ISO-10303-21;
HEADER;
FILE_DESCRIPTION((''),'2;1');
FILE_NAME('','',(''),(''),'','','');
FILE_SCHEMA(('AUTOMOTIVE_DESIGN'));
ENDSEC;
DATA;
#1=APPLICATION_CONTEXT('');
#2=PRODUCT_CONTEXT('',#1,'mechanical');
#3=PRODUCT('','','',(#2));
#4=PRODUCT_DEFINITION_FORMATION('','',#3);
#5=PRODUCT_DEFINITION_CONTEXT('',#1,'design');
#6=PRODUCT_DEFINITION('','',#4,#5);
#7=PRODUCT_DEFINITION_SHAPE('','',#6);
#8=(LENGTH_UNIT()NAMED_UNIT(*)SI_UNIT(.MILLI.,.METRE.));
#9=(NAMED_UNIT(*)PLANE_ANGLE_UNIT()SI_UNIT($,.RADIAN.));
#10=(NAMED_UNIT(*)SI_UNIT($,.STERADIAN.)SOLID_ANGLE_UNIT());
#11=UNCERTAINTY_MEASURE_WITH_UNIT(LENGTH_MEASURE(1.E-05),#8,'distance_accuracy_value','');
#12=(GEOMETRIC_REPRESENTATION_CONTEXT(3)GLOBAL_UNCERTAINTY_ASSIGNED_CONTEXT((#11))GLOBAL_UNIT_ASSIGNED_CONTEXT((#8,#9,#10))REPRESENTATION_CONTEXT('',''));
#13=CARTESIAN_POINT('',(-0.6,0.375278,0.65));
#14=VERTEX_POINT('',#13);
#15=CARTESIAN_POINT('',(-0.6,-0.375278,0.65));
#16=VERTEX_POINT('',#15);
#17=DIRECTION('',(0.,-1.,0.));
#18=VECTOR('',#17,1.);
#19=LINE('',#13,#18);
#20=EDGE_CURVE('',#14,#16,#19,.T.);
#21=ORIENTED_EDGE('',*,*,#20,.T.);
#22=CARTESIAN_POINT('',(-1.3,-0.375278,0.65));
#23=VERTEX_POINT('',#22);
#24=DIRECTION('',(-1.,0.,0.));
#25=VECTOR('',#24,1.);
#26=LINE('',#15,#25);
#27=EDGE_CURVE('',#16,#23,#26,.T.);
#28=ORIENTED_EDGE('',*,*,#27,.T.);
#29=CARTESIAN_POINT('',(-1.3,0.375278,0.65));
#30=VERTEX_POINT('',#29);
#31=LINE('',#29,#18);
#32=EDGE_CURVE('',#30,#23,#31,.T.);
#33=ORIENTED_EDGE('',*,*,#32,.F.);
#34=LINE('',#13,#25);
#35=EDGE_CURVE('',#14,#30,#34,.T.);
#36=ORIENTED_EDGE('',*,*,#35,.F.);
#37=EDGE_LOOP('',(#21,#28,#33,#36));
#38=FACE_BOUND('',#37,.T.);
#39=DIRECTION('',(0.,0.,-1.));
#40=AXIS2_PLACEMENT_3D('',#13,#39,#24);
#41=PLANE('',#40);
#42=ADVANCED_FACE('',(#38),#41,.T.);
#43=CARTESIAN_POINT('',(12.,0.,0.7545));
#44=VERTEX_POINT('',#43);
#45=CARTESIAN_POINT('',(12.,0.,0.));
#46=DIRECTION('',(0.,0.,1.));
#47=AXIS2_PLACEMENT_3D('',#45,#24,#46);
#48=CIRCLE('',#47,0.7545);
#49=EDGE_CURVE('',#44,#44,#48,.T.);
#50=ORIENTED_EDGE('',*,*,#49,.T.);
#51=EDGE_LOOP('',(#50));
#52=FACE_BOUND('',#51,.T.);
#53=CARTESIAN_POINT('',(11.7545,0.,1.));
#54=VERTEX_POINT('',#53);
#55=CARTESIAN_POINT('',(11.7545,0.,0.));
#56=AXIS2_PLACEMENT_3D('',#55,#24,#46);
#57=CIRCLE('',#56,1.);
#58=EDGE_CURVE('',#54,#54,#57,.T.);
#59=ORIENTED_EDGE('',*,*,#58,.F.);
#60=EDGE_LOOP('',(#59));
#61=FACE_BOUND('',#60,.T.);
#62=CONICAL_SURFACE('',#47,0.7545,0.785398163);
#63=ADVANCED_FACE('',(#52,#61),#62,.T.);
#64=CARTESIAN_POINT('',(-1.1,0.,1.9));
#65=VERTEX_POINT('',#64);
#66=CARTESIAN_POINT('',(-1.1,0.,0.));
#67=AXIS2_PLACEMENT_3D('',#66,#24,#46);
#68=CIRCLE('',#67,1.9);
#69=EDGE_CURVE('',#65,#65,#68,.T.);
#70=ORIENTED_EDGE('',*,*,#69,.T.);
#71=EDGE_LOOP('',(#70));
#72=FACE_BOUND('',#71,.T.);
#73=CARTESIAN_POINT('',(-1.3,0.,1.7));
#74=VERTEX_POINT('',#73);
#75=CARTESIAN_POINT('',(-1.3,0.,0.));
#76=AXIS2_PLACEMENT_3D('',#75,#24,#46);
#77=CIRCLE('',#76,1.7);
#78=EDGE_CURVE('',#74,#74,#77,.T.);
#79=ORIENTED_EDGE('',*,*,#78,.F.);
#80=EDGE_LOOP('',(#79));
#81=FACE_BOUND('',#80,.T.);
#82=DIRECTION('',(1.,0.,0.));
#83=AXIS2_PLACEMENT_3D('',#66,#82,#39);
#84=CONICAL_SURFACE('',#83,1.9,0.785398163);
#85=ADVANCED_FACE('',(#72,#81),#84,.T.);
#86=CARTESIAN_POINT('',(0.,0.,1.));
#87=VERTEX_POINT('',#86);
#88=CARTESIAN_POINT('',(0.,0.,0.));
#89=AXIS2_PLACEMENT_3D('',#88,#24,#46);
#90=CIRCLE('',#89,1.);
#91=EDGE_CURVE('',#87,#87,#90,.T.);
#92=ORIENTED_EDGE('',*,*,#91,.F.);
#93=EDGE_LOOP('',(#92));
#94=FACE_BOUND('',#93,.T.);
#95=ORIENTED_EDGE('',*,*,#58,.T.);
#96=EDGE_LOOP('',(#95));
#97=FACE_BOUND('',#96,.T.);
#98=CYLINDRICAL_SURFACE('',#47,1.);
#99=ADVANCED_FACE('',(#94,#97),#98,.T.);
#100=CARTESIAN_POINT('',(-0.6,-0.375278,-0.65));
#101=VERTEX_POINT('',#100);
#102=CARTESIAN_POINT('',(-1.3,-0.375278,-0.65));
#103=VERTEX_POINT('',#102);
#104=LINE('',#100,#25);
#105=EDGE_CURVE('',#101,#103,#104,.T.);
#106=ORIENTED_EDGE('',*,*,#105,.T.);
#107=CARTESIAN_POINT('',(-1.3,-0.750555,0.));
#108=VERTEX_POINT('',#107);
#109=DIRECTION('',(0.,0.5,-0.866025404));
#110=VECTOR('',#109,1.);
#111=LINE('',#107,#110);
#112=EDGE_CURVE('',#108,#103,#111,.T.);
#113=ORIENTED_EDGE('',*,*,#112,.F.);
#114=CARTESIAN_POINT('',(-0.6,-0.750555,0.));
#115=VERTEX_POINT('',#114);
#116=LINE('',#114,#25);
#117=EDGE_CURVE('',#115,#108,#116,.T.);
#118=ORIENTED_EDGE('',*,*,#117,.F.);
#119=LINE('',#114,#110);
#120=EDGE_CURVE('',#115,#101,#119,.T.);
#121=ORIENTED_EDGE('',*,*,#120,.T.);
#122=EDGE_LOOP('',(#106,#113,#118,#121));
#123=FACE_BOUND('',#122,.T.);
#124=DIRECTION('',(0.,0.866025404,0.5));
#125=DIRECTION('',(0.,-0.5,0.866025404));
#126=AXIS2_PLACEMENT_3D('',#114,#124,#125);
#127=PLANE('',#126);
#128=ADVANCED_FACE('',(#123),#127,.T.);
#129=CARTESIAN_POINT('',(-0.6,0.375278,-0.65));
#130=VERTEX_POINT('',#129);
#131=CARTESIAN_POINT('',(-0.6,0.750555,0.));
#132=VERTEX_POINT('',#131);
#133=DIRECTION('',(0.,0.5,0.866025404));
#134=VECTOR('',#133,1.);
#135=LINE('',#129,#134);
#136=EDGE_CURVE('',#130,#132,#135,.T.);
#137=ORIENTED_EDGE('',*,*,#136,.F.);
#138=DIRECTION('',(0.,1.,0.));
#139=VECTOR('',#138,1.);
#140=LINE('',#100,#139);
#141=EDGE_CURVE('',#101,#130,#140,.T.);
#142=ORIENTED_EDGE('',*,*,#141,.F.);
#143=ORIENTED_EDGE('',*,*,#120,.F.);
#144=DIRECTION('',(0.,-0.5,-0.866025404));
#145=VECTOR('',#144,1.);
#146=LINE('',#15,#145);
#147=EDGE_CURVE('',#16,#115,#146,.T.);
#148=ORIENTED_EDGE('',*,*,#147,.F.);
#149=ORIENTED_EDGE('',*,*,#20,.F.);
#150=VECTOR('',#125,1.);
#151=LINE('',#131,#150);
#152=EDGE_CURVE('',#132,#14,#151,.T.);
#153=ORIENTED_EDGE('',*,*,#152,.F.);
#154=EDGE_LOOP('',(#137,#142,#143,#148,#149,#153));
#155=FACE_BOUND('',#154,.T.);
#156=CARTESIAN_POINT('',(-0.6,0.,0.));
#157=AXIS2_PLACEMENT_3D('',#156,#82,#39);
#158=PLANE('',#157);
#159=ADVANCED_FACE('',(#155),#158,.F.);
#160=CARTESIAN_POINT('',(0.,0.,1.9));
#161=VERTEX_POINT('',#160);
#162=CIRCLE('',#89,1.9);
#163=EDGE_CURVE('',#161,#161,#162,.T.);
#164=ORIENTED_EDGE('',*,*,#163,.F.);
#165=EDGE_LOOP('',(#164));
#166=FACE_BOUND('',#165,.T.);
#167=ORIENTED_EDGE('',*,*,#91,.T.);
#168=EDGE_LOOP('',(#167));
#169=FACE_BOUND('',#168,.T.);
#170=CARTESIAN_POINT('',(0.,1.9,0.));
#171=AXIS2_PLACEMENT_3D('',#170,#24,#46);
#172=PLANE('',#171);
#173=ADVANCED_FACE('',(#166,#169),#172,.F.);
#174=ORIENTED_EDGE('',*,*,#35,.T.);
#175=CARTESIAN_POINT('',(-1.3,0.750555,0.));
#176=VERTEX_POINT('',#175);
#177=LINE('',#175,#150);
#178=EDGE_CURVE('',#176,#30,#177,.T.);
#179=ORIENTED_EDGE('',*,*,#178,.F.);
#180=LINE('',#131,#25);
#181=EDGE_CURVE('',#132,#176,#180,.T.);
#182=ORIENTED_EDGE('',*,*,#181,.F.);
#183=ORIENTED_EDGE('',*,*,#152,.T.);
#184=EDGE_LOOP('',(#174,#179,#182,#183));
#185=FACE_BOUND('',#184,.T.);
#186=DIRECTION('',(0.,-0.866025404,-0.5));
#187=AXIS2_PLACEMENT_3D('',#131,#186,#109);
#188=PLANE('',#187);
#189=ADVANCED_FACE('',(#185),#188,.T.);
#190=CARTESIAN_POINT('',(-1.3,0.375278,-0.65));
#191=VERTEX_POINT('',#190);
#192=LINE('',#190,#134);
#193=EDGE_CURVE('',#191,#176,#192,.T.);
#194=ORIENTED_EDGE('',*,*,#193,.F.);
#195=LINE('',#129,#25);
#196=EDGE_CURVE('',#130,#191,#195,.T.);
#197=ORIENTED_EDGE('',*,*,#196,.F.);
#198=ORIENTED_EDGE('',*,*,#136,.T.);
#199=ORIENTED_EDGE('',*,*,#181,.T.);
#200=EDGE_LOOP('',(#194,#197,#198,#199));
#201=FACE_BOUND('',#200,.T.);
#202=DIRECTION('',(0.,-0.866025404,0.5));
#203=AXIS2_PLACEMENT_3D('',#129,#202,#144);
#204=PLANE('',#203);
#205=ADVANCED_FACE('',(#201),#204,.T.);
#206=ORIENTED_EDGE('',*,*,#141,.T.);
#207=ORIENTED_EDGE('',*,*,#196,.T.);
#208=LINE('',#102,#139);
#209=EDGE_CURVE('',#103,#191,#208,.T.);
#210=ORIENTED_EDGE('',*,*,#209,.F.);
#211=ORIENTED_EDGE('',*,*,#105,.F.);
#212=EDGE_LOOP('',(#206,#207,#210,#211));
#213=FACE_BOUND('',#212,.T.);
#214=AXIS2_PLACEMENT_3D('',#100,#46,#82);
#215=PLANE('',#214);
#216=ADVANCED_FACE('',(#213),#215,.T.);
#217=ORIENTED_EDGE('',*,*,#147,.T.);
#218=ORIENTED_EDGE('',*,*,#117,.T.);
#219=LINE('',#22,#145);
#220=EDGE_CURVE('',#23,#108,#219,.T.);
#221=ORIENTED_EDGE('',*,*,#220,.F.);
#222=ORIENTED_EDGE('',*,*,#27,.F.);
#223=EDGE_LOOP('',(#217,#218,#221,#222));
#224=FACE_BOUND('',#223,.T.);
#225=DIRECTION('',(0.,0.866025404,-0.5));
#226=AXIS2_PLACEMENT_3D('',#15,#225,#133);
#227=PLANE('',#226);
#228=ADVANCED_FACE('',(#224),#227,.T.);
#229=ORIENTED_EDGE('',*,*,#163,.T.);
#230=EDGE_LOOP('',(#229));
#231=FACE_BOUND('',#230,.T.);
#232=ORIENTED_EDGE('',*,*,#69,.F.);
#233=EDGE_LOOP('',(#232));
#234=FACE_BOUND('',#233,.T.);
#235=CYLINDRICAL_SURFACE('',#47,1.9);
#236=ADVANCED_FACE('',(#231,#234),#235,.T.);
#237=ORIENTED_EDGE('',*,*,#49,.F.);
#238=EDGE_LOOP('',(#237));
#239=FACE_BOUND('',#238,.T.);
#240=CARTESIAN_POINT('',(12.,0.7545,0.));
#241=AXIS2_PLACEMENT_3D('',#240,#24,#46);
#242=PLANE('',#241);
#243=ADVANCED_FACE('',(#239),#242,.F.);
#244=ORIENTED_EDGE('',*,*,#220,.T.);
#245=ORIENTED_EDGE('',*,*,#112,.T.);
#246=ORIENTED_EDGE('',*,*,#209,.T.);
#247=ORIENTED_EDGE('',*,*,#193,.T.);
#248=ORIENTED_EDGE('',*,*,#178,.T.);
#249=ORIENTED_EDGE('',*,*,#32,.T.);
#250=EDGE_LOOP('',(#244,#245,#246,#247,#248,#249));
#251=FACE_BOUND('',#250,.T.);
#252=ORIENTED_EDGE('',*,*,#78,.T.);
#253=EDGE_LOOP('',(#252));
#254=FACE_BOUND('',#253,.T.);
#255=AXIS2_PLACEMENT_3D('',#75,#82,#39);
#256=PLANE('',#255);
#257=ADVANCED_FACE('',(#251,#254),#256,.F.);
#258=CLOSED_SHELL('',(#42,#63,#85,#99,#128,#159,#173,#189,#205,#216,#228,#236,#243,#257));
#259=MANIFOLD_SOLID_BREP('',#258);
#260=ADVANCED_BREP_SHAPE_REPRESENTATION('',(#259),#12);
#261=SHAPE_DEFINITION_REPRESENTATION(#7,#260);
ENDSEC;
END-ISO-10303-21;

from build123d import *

# Parameters (mm, degrees)
CUT_EXTRUDE1_DEPTH = 0.7


with BuildPart() as part:
    # Sketch1 → Revolve1 (revolve)
    with BuildSketch(Plane.XY):
        Polygon((-1.3, 0), (-1.3, 1.7), (-1.1, 1.9), (0, 1.9), (0, 1), (11.7545, 1), (12, 0.7545), (12, 0), align=None)
    revolve(axis=Axis((12, 0, 0), (-1, 0, 0)))

    # Sketch2 → Cut-Extrude1 (cut)
    with BuildSketch(Plane(origin=(-1.3, 0, 0), x_dir=(0, 0, -1), z_dir=(1, 0, 0))):
        Polygon((-0.65, -0.375277675), (0, -0.75055535), (0.65, -0.375277675), (0.65, 0.375277675), (0, 0.75055535), (-0.65, 0.375277675), align=None)
    extrude(amount=CUT_EXTRUDE1_DEPTH, mode=Mode.SUBTRACT)


solid = part.part
